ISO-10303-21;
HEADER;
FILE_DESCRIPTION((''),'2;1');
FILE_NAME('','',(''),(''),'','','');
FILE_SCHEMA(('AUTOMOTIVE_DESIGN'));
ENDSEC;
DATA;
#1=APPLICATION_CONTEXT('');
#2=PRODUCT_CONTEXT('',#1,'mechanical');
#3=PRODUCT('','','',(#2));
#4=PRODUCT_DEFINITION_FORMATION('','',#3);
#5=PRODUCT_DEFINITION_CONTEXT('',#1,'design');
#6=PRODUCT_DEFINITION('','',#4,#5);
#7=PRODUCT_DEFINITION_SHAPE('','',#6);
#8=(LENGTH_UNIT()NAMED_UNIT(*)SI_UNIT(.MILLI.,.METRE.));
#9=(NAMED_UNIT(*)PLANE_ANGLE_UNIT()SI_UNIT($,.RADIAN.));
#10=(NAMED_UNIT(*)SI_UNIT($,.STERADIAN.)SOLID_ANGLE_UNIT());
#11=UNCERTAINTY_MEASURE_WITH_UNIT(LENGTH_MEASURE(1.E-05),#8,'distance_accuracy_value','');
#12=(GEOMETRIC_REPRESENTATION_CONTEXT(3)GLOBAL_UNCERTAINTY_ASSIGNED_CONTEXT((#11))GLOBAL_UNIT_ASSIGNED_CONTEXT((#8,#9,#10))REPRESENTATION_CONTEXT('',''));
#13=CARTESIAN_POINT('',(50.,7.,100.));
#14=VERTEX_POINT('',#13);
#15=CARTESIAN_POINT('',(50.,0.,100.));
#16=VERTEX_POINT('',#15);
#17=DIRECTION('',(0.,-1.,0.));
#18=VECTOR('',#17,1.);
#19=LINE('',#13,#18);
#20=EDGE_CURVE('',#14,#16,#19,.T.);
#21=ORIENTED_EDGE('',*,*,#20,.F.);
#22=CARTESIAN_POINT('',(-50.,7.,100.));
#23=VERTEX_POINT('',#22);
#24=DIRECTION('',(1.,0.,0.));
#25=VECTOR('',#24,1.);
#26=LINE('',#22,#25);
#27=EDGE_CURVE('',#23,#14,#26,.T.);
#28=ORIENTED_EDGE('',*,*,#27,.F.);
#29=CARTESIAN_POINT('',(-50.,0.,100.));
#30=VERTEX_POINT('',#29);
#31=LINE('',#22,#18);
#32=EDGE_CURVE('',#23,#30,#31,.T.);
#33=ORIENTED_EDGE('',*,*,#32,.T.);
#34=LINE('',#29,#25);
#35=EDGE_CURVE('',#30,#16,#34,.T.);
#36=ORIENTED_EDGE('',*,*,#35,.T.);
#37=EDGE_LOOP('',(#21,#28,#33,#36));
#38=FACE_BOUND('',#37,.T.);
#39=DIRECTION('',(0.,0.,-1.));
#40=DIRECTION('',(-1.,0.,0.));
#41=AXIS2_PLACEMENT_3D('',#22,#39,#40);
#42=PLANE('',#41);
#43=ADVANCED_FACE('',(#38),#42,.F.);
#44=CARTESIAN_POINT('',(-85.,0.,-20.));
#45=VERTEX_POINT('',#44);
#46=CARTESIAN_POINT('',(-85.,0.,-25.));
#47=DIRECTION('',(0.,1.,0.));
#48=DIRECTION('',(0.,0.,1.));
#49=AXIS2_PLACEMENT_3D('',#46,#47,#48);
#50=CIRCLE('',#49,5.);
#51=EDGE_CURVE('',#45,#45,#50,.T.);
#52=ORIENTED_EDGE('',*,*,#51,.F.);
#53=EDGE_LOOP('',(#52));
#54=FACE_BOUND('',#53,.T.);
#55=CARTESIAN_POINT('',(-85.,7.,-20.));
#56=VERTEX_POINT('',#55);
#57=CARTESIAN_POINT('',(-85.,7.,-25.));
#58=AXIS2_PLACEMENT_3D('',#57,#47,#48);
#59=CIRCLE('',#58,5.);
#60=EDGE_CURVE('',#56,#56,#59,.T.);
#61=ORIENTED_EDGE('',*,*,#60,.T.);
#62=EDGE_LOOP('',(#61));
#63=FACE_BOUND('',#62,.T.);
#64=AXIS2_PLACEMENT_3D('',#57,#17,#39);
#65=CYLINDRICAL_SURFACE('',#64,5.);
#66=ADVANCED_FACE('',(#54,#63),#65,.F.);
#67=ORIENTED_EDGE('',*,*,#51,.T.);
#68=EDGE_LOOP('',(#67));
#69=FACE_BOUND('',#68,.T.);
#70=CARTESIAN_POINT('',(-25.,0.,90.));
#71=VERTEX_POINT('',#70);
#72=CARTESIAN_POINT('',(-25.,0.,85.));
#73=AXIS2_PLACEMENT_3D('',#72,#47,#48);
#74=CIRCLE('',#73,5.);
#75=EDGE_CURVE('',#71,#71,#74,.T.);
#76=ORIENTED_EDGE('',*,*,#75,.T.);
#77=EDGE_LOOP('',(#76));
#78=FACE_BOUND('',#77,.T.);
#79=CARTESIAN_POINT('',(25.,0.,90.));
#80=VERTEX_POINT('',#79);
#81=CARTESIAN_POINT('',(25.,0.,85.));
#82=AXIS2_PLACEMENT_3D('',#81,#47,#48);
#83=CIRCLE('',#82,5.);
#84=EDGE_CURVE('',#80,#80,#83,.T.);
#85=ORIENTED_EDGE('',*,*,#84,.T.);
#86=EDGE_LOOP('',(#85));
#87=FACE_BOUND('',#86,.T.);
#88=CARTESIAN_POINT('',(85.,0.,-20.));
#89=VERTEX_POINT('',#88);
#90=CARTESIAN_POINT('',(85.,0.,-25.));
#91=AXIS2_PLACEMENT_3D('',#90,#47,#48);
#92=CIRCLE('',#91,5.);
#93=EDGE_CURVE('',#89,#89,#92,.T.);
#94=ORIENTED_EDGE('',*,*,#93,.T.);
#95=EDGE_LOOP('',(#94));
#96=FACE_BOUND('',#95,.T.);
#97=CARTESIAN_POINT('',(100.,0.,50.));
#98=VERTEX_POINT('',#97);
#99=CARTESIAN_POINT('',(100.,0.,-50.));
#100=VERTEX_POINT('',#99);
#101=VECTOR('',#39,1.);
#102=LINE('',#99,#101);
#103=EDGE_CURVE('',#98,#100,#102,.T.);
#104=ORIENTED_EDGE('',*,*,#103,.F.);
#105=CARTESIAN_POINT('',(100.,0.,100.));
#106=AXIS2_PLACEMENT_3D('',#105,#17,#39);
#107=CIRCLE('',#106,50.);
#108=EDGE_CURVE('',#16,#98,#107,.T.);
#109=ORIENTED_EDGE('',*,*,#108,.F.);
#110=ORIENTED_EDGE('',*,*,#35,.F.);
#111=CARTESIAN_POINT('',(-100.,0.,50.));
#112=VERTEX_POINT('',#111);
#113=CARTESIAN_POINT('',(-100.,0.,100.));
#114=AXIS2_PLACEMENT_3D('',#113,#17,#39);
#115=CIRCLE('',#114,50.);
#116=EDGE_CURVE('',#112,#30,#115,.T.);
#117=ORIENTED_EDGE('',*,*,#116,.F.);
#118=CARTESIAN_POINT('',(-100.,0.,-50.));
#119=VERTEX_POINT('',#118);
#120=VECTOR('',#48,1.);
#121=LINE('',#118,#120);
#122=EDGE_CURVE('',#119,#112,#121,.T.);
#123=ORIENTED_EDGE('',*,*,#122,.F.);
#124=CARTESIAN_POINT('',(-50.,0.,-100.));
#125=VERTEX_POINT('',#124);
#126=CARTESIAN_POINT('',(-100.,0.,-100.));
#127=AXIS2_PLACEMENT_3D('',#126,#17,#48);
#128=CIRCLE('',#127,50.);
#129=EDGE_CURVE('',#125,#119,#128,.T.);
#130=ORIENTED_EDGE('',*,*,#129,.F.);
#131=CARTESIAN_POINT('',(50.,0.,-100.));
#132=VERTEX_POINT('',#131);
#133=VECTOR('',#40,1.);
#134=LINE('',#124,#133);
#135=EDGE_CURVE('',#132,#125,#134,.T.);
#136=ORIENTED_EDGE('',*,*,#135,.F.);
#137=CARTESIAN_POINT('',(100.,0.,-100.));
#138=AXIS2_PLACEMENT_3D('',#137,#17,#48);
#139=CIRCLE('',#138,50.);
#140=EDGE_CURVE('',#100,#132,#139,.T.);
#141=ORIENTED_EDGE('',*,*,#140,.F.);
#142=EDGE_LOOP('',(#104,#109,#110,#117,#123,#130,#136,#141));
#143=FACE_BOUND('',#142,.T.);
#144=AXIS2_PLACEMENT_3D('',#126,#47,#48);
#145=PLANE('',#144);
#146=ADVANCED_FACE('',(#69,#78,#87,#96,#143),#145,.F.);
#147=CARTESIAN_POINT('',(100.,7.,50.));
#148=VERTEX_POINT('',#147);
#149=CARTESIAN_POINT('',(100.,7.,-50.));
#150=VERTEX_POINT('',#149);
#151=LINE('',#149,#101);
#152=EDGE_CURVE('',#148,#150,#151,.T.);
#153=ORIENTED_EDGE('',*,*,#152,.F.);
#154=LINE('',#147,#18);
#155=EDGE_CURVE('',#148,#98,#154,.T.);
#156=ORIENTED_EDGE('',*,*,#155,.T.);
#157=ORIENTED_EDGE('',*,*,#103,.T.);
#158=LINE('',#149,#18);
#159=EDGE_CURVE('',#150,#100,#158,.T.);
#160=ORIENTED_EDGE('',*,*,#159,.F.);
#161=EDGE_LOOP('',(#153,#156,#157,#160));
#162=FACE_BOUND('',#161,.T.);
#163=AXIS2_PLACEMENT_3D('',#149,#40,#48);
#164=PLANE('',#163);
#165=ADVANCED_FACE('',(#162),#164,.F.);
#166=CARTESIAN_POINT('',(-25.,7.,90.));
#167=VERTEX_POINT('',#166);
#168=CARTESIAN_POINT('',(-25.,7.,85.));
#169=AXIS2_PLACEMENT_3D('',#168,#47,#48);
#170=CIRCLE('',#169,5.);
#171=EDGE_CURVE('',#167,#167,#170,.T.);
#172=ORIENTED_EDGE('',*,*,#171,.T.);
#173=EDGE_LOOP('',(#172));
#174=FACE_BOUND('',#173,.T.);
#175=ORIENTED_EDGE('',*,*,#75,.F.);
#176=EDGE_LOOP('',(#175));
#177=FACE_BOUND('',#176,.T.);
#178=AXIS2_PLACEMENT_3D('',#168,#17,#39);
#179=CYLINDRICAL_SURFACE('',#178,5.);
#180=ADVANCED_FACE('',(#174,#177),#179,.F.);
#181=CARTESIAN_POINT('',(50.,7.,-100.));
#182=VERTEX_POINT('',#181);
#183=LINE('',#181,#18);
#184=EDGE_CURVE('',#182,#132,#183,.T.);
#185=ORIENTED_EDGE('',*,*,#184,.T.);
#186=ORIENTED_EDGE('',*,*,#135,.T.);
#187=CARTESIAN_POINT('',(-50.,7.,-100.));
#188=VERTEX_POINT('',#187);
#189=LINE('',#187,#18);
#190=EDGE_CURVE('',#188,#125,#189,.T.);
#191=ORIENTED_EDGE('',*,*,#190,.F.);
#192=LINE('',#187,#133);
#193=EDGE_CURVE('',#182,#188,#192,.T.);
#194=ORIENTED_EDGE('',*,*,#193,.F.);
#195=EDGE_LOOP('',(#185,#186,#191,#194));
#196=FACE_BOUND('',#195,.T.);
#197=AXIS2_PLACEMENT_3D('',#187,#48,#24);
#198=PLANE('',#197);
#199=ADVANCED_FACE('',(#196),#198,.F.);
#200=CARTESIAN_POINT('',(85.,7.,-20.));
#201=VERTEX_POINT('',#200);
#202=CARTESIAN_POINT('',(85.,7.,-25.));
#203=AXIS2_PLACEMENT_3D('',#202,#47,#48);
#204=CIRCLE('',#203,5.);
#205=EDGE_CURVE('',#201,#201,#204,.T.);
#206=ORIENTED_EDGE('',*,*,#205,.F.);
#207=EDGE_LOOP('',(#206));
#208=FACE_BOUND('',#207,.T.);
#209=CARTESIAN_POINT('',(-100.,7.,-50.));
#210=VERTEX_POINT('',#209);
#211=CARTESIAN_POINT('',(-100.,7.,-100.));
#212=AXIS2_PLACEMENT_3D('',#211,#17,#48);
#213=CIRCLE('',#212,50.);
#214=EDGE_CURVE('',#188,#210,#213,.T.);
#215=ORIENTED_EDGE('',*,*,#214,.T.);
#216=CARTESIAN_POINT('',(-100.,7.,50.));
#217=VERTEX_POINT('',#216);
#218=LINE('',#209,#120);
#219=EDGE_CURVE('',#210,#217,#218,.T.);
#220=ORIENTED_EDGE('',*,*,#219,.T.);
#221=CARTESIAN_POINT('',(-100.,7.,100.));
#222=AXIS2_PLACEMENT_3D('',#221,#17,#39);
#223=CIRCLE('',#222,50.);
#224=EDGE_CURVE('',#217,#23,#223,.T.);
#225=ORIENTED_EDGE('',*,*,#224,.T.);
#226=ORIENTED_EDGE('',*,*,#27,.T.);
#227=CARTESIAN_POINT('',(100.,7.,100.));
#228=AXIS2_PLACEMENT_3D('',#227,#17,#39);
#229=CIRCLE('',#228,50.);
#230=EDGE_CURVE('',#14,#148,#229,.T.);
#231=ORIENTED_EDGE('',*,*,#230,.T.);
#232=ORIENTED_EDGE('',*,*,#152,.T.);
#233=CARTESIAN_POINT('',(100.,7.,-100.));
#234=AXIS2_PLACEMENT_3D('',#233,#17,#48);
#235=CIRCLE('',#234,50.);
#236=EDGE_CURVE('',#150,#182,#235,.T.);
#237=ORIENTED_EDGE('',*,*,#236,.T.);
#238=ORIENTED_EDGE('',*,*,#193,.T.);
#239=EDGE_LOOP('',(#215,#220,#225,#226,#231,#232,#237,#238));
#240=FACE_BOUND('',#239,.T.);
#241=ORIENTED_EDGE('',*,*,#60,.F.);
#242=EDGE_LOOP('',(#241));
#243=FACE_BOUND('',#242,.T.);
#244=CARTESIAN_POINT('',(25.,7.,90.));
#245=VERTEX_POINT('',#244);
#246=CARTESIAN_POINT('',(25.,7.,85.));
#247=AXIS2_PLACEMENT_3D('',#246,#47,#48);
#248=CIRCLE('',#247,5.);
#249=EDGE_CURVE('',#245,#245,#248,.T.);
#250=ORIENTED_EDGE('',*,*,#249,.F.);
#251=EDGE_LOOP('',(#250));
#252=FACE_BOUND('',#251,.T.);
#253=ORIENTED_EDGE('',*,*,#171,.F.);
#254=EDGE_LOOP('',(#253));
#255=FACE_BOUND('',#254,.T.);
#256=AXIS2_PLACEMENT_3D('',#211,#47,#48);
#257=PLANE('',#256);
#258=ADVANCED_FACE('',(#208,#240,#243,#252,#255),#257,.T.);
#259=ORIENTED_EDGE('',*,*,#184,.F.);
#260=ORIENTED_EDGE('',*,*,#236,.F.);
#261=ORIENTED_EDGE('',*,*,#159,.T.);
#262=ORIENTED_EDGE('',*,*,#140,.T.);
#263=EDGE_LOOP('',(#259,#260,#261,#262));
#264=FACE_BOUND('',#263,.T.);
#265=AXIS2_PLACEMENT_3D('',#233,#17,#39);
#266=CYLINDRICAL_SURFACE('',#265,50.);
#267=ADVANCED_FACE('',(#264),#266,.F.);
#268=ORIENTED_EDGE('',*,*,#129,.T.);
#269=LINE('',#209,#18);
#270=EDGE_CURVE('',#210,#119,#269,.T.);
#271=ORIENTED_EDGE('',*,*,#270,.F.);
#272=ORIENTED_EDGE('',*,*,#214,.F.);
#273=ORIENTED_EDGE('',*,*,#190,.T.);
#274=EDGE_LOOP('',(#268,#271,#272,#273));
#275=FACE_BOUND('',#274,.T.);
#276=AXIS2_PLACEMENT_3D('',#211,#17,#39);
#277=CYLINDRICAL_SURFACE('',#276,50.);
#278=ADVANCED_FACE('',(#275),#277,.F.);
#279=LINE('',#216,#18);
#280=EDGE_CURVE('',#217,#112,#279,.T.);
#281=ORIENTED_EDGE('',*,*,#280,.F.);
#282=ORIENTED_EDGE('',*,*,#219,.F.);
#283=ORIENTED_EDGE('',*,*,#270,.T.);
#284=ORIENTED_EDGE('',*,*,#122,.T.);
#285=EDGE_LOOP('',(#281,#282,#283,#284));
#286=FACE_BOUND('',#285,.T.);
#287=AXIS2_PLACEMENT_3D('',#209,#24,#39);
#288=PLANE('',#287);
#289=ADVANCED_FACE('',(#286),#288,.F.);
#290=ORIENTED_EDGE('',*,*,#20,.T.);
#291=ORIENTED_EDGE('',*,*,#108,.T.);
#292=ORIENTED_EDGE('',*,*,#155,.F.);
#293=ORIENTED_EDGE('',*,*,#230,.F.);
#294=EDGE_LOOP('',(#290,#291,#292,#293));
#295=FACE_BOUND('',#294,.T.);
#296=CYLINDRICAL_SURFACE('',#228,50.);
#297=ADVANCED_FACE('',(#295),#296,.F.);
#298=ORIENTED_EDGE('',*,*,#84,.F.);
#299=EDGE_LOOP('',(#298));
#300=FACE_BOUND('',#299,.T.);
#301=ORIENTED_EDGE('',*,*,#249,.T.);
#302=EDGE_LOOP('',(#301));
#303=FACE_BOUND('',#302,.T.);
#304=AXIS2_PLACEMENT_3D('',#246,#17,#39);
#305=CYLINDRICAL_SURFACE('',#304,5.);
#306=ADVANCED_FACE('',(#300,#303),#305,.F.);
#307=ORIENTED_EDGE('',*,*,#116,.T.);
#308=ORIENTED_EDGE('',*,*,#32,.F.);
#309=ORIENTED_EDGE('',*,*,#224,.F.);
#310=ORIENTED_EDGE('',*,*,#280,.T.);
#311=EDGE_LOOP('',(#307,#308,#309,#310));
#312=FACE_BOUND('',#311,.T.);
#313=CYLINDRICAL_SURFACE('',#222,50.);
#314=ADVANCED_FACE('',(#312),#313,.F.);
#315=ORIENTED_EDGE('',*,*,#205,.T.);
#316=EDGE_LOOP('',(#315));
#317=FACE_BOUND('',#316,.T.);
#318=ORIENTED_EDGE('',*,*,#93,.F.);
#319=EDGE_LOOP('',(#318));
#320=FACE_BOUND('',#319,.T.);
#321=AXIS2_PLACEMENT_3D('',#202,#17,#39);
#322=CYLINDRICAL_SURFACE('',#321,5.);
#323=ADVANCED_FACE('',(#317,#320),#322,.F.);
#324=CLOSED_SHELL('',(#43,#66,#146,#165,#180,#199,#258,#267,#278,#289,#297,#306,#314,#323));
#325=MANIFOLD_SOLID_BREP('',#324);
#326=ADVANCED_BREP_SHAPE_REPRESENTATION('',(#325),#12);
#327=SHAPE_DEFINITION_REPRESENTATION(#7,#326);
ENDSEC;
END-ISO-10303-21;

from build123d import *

# Parameters (mm, degrees)
SKETCH1_R           = 5
BOSS_EXTRUDE1_DEPTH = 7


with BuildPart() as part:
    # Sketch1 → Boss-Extrude1 (new body)
    with BuildSketch(Plane(origin=(0, 0, 0), x_dir=(1, 0, 0), z_dir=(0, 1, 0))):
        with BuildLine():
            Line((-50, 100), (50, 100))
            ThreePointArc((50, 100), (64.644660941, 64.644660941), (100, 50))
            Line((100, 50), (100, -50))
            ThreePointArc((100, -50), (64.644660941, -64.644660941), (50, -100))
            Line((50, -100), (-50, -100))
            ThreePointArc((-50, -100), (-64.644660941, -64.644660941), (-100, -50))
            Line((-100, -50), (-100, 50))
            ThreePointArc((-100, 50), (-64.644660941, 64.644660941), (-50, 100))
        make_face()
        with Locations(Location((-85, 25, 0), (0, 0, 270))):
            Circle(SKETCH1_R, mode=Mode.SUBTRACT)
        with Locations(Location((85, 25, 0), (0, 0, 270))):
            Circle(SKETCH1_R, mode=Mode.SUBTRACT)
        with Locations(Location((-25, -85, 0), (0, 0, 270))):
            Circle(SKETCH1_R, mode=Mode.SUBTRACT)
        with Locations(Location((25, -85, 0), (0, 0, 270))):
            Circle(SKETCH1_R, mode=Mode.SUBTRACT)
    extrude(amount=BOSS_EXTRUDE1_DEPTH)


solid = part.part
